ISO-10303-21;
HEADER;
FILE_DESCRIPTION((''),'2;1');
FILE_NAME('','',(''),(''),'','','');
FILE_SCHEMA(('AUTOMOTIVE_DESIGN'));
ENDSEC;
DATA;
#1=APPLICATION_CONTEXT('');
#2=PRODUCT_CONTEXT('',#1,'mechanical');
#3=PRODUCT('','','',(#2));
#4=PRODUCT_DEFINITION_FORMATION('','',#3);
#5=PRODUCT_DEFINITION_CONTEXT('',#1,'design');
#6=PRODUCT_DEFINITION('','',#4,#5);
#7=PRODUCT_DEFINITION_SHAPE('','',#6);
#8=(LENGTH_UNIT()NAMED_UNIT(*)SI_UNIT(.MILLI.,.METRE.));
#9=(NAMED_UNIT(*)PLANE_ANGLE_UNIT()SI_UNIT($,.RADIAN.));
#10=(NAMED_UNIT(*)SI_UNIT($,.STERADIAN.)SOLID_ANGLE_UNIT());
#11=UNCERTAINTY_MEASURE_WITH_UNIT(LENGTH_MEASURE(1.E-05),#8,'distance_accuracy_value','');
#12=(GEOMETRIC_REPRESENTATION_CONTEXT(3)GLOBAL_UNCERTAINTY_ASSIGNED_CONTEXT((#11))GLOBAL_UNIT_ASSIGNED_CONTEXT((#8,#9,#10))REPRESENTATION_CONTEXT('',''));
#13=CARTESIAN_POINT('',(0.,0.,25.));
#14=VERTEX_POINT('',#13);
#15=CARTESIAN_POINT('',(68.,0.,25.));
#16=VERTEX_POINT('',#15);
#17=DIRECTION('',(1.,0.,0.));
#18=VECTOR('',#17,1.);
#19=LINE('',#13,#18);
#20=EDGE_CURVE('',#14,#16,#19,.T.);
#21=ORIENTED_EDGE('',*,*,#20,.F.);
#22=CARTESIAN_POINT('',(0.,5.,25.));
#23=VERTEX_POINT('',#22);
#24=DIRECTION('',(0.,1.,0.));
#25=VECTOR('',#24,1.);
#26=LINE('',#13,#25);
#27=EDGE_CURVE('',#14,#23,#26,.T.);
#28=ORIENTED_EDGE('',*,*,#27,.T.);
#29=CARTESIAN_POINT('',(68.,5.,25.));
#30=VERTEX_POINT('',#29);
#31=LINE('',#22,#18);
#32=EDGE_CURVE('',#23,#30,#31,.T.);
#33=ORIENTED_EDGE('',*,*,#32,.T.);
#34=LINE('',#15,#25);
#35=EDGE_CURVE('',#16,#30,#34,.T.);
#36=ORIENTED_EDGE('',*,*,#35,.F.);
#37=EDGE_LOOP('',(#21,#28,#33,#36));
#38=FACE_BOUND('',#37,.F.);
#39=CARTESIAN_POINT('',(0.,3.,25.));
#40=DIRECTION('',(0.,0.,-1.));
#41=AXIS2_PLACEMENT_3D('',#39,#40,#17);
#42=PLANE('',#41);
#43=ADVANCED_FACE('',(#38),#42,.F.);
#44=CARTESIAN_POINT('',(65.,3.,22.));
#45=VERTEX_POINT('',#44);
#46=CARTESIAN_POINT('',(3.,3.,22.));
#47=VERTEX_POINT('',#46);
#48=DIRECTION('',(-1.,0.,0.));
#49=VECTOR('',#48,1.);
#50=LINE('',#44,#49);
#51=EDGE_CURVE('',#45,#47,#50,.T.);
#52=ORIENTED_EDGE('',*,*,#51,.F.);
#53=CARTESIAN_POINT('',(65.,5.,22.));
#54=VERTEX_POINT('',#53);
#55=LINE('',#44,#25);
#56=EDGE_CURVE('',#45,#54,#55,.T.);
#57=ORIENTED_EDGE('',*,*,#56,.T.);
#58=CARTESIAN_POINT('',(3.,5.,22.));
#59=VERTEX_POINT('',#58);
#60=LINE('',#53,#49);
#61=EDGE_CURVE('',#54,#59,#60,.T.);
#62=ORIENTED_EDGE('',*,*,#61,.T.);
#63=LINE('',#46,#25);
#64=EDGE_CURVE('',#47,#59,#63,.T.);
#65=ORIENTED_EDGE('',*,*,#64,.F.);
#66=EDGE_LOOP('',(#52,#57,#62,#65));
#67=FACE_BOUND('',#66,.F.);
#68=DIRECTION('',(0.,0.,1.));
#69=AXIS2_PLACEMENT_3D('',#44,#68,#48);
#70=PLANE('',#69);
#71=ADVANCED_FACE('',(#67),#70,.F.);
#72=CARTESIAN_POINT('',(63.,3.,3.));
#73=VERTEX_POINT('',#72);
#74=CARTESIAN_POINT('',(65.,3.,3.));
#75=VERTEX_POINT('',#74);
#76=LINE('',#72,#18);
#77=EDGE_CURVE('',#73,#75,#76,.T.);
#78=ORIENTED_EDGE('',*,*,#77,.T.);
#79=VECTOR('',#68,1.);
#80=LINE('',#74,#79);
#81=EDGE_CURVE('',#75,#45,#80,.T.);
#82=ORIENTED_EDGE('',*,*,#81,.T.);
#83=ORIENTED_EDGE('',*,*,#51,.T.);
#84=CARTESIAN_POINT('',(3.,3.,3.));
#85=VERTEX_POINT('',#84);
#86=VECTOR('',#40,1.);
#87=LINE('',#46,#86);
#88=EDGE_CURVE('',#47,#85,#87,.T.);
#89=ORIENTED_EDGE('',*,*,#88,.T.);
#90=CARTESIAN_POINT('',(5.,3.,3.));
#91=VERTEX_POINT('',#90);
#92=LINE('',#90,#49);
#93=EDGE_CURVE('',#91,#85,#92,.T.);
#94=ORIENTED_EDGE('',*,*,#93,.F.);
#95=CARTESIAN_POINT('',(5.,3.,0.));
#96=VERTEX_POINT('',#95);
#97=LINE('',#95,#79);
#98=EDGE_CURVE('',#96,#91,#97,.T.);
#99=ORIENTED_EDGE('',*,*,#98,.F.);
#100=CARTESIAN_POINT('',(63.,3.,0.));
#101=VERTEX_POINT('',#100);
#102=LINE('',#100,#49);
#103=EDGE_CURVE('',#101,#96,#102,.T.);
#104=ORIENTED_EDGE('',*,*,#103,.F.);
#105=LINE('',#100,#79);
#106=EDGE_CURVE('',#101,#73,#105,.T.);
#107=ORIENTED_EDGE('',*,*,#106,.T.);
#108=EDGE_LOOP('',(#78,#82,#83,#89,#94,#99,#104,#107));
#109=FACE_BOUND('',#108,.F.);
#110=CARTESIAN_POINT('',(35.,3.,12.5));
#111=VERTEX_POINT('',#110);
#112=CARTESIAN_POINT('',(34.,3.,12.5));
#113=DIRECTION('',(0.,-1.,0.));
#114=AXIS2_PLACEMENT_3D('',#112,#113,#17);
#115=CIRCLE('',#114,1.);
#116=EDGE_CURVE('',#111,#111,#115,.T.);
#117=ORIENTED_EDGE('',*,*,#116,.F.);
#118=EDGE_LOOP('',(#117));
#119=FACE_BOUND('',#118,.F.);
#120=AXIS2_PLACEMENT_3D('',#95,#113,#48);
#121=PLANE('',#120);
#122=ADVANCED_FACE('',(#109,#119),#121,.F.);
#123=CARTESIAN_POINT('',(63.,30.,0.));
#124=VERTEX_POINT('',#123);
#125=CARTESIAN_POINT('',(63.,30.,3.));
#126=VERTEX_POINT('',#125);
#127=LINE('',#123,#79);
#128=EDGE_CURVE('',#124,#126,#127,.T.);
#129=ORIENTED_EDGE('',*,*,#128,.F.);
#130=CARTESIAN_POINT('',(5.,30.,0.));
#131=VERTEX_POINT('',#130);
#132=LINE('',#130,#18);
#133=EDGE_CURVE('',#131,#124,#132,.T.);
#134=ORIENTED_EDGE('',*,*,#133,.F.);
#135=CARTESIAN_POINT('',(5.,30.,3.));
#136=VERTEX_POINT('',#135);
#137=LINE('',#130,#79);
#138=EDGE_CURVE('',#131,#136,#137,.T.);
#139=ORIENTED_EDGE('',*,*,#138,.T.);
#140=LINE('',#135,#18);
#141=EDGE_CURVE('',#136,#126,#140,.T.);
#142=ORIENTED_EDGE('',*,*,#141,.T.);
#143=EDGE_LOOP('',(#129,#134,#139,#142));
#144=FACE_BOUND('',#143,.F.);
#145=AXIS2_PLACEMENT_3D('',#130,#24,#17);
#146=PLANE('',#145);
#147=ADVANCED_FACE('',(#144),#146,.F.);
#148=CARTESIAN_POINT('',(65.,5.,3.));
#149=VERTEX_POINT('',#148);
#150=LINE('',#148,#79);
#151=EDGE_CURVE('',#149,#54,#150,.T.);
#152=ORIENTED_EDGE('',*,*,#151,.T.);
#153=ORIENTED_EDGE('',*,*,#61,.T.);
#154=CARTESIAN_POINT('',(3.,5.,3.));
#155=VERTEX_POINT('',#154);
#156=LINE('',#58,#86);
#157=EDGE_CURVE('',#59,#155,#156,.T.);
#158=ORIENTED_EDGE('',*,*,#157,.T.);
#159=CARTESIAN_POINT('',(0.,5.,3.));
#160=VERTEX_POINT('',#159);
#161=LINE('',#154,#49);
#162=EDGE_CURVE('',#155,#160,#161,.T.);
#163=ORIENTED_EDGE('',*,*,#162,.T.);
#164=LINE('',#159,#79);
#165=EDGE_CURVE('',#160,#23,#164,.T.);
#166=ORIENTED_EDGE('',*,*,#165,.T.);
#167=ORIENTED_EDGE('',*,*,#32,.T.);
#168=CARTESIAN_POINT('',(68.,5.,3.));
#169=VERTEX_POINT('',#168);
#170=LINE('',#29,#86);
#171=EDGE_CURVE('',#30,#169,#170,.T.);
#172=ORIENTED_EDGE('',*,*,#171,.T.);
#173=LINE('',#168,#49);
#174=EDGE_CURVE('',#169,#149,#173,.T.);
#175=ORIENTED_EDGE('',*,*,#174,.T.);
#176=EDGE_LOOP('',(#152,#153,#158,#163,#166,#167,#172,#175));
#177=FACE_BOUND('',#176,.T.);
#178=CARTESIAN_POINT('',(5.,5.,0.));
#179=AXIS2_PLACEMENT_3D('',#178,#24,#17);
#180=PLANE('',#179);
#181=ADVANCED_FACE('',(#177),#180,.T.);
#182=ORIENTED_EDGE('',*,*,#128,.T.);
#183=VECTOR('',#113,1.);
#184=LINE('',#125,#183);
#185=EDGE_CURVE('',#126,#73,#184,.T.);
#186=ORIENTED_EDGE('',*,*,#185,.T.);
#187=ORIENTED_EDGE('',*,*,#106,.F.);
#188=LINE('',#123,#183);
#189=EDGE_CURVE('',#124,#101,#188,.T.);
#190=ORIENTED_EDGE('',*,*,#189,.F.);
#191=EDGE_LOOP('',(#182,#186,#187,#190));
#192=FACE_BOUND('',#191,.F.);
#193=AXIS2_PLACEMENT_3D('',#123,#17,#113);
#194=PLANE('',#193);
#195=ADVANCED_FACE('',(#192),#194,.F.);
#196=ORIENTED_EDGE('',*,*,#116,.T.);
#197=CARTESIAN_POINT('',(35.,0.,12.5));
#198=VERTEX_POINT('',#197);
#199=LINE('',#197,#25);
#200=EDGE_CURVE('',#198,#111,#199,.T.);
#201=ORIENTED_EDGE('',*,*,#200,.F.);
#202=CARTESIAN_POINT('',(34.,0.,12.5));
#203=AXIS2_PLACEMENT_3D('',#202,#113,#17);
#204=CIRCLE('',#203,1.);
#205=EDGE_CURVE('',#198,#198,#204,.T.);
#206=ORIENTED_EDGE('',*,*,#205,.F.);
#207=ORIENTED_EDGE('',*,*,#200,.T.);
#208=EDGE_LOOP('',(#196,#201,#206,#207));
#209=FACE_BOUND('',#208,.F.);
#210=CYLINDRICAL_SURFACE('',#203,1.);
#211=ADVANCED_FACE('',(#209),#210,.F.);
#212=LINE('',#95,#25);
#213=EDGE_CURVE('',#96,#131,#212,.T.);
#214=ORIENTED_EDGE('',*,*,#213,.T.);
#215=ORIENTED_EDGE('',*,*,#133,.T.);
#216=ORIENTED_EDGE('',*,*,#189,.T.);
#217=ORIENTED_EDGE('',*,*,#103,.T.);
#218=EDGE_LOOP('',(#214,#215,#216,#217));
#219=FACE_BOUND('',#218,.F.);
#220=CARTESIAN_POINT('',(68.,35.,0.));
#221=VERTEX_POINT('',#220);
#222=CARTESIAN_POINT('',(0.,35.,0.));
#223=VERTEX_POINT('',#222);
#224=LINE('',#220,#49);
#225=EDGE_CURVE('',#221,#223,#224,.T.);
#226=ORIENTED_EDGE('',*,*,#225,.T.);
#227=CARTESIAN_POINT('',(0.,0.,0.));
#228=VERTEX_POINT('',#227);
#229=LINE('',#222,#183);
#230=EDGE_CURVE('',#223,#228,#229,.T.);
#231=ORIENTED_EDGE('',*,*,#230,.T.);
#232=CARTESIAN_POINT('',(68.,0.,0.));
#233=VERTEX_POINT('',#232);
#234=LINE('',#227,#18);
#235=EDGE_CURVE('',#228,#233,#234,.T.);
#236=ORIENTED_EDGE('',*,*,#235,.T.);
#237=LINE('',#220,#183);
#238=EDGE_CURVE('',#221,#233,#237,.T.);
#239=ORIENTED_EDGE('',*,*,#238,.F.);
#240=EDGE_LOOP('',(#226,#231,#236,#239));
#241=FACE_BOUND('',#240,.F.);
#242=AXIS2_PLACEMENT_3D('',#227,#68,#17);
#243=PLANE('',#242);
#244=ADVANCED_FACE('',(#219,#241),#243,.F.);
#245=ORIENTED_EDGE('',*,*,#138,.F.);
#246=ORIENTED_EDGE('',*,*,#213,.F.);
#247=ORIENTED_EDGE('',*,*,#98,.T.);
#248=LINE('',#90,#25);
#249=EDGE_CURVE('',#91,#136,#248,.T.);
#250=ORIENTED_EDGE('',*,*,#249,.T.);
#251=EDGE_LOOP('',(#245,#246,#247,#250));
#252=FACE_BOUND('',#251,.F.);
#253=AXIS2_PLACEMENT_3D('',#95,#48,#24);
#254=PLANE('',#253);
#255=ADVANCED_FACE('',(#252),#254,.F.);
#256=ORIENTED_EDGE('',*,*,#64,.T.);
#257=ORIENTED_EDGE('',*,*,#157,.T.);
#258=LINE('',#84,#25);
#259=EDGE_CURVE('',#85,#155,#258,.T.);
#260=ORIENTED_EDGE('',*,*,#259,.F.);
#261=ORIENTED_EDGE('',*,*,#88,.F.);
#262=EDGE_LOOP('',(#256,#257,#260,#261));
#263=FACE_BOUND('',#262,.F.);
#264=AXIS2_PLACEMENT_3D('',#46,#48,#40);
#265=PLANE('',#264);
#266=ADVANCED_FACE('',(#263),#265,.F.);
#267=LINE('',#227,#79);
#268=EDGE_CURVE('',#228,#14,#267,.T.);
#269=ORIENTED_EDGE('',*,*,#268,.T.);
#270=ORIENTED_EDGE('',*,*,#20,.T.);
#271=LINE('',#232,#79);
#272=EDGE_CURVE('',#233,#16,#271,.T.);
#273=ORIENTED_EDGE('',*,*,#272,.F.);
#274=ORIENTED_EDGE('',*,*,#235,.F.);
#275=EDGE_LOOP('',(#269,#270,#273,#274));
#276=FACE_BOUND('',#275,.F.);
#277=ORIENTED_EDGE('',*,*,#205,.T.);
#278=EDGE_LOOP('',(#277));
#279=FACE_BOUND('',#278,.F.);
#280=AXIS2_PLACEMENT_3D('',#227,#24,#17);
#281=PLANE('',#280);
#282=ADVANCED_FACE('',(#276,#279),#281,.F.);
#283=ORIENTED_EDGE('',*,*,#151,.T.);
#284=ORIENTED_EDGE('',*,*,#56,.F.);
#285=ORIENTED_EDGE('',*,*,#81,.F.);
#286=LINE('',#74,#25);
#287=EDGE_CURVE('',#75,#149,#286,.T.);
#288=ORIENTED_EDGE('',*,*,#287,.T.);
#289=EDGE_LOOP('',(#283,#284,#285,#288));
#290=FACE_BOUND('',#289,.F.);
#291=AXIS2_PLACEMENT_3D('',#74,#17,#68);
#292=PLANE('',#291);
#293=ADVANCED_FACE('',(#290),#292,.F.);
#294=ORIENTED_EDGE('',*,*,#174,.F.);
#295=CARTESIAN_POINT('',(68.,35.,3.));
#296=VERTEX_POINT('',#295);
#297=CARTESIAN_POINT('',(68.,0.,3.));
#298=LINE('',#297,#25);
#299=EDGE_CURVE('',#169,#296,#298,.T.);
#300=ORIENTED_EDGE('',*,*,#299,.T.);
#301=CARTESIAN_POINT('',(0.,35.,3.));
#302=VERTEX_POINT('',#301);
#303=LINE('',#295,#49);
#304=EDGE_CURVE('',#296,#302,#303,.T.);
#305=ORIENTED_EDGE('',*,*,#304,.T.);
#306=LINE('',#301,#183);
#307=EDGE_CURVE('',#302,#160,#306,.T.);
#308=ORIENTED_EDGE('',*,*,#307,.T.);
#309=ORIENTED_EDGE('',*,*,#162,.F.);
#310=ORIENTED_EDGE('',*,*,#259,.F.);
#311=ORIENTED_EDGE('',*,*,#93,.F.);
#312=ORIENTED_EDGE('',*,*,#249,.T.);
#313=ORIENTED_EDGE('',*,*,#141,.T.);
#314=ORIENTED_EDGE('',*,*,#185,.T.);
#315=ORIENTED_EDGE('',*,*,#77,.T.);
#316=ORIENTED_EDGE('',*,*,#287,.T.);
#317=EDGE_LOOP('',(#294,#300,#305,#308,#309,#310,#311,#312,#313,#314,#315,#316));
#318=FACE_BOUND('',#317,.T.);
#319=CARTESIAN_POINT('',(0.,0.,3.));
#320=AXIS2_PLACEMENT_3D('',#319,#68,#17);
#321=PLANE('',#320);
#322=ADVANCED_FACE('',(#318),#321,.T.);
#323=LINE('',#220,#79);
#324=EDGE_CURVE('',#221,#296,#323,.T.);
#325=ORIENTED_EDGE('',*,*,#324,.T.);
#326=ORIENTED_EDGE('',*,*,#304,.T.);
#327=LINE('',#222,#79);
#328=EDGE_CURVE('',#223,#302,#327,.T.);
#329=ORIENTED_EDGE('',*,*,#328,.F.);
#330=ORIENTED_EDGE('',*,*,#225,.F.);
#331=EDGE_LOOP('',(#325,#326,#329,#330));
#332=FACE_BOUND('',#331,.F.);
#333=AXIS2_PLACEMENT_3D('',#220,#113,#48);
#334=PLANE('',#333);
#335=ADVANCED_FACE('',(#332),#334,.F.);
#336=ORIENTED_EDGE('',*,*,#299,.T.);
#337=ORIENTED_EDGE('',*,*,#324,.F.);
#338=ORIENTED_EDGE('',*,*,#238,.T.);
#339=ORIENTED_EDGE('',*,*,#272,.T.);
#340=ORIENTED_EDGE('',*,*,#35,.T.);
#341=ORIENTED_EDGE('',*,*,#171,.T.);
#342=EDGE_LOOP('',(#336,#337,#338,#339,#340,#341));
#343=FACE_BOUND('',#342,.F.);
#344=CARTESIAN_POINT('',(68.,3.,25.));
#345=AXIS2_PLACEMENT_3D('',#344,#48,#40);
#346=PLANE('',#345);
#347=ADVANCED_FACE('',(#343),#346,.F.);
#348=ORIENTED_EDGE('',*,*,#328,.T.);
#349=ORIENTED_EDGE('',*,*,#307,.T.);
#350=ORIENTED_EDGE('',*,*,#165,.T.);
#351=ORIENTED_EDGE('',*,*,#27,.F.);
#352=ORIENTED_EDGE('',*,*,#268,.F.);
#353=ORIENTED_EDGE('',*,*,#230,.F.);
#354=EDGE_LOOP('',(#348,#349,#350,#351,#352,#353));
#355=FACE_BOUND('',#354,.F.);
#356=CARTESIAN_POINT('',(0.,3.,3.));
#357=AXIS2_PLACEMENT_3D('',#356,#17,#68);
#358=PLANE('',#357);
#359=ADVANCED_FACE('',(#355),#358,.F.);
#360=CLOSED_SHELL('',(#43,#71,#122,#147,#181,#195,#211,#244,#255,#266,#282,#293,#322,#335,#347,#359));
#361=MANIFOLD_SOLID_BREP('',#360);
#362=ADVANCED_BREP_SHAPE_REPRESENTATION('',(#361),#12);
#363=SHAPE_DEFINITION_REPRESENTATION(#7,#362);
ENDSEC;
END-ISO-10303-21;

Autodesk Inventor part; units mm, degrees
ref_plane "YZ Plane" through (0, 0, 0) normal (1, 0, 0) x (0, 1, 0)
ref_plane "XZ Plane" through (0, 0, 0) normal (0, 1, 0) x (-1, 0, 0)
ref_plane "XY Plane" through (0, 0, 0) normal (0, 0, 1) x (1, 0, 0)
sketch "Эскиз1" plane through (0, 0, 0) normal (0, 0, 1) x (1, 0, 0)
  line L0 (0, 0) -> (68, 0)
  line L1 (68, 0) -> (68, 35)
  line L2 (68, 35) -> (0, 35)
  line L3 (0, 35) -> (0, 0)
  line L4 (5, 30) -> (63, 30)
  line L5 (63, 30) -> (63, 3)
  line L6 (63, 3) -> (5, 3)
  line L7 (5, 3) -> (5, 30)
  line L8 (5, 3) -> (0, 3)
  line L9 (63, 3) -> (68, 3)
  dimension "d0" = 5
  dimension "d1" = 5
  dimension "d2" = 5
  dimension "d3" = 3
  dimension "d4" = 68
  dimension "d5" = 35
extrude "Выдавливание1" add sketch "Эскиз1" along normal blind 3 contours L3 L2 L1 L9 L5 L4 L7 L8
extrude "Выдавливание2" add sketch "Эскиз1" along normal blind 25 contours L3 L8 L6 L9 L1 L0
sketch "Эскиз2" plane through (0, 0, 0) normal (0, -1, 0) x (1, 0, 0)
  circle A0 centre (34, 12.5) radius 1
  line L0 (0, 0) -> (0, 25) projected
  line L1 (0, 25) -> (68, 25) projected
  point P0 (0, 12.5)
  point P1 (34, 25)
  dimension "d10" = 2
extrude "Выдавливание3" cut sketch "Эскиз2" against normal up to next
sketch "Эскиз3" plane through (5, 3, 0) normal (0, 1, 0) x (1, 0, 0)
  line L0 (-5, -25) -> (63, -25) projected
  line L1 (-5, -3) -> (-5, -25)
  line L2 (-5, -25) -> (63, -25)
  line L3 (63, -25) -> (63, -3)
  line L4 (63, -3) -> (60, -3)
  line L5 (60, -3) -> (60, -22)
  line L6 (60, -22) -> (-2, -22)
  line L7 (-2, -22) -> (-2, -3)
  line L8 (-2, -3) -> (-5, -3)
  line L9 (58, -3) -> (63, -3) projected
  point P0 (-5, 0)
  point P1 (60.5, -3)
  dimension "d13" = 3
  dimension "d14" = 3
  dimension "d15" = 3
extrude "Выдавливание4" add sketch "Эскиз3" along normal blind 2
properties part number "креплениедлякамерыниз"
